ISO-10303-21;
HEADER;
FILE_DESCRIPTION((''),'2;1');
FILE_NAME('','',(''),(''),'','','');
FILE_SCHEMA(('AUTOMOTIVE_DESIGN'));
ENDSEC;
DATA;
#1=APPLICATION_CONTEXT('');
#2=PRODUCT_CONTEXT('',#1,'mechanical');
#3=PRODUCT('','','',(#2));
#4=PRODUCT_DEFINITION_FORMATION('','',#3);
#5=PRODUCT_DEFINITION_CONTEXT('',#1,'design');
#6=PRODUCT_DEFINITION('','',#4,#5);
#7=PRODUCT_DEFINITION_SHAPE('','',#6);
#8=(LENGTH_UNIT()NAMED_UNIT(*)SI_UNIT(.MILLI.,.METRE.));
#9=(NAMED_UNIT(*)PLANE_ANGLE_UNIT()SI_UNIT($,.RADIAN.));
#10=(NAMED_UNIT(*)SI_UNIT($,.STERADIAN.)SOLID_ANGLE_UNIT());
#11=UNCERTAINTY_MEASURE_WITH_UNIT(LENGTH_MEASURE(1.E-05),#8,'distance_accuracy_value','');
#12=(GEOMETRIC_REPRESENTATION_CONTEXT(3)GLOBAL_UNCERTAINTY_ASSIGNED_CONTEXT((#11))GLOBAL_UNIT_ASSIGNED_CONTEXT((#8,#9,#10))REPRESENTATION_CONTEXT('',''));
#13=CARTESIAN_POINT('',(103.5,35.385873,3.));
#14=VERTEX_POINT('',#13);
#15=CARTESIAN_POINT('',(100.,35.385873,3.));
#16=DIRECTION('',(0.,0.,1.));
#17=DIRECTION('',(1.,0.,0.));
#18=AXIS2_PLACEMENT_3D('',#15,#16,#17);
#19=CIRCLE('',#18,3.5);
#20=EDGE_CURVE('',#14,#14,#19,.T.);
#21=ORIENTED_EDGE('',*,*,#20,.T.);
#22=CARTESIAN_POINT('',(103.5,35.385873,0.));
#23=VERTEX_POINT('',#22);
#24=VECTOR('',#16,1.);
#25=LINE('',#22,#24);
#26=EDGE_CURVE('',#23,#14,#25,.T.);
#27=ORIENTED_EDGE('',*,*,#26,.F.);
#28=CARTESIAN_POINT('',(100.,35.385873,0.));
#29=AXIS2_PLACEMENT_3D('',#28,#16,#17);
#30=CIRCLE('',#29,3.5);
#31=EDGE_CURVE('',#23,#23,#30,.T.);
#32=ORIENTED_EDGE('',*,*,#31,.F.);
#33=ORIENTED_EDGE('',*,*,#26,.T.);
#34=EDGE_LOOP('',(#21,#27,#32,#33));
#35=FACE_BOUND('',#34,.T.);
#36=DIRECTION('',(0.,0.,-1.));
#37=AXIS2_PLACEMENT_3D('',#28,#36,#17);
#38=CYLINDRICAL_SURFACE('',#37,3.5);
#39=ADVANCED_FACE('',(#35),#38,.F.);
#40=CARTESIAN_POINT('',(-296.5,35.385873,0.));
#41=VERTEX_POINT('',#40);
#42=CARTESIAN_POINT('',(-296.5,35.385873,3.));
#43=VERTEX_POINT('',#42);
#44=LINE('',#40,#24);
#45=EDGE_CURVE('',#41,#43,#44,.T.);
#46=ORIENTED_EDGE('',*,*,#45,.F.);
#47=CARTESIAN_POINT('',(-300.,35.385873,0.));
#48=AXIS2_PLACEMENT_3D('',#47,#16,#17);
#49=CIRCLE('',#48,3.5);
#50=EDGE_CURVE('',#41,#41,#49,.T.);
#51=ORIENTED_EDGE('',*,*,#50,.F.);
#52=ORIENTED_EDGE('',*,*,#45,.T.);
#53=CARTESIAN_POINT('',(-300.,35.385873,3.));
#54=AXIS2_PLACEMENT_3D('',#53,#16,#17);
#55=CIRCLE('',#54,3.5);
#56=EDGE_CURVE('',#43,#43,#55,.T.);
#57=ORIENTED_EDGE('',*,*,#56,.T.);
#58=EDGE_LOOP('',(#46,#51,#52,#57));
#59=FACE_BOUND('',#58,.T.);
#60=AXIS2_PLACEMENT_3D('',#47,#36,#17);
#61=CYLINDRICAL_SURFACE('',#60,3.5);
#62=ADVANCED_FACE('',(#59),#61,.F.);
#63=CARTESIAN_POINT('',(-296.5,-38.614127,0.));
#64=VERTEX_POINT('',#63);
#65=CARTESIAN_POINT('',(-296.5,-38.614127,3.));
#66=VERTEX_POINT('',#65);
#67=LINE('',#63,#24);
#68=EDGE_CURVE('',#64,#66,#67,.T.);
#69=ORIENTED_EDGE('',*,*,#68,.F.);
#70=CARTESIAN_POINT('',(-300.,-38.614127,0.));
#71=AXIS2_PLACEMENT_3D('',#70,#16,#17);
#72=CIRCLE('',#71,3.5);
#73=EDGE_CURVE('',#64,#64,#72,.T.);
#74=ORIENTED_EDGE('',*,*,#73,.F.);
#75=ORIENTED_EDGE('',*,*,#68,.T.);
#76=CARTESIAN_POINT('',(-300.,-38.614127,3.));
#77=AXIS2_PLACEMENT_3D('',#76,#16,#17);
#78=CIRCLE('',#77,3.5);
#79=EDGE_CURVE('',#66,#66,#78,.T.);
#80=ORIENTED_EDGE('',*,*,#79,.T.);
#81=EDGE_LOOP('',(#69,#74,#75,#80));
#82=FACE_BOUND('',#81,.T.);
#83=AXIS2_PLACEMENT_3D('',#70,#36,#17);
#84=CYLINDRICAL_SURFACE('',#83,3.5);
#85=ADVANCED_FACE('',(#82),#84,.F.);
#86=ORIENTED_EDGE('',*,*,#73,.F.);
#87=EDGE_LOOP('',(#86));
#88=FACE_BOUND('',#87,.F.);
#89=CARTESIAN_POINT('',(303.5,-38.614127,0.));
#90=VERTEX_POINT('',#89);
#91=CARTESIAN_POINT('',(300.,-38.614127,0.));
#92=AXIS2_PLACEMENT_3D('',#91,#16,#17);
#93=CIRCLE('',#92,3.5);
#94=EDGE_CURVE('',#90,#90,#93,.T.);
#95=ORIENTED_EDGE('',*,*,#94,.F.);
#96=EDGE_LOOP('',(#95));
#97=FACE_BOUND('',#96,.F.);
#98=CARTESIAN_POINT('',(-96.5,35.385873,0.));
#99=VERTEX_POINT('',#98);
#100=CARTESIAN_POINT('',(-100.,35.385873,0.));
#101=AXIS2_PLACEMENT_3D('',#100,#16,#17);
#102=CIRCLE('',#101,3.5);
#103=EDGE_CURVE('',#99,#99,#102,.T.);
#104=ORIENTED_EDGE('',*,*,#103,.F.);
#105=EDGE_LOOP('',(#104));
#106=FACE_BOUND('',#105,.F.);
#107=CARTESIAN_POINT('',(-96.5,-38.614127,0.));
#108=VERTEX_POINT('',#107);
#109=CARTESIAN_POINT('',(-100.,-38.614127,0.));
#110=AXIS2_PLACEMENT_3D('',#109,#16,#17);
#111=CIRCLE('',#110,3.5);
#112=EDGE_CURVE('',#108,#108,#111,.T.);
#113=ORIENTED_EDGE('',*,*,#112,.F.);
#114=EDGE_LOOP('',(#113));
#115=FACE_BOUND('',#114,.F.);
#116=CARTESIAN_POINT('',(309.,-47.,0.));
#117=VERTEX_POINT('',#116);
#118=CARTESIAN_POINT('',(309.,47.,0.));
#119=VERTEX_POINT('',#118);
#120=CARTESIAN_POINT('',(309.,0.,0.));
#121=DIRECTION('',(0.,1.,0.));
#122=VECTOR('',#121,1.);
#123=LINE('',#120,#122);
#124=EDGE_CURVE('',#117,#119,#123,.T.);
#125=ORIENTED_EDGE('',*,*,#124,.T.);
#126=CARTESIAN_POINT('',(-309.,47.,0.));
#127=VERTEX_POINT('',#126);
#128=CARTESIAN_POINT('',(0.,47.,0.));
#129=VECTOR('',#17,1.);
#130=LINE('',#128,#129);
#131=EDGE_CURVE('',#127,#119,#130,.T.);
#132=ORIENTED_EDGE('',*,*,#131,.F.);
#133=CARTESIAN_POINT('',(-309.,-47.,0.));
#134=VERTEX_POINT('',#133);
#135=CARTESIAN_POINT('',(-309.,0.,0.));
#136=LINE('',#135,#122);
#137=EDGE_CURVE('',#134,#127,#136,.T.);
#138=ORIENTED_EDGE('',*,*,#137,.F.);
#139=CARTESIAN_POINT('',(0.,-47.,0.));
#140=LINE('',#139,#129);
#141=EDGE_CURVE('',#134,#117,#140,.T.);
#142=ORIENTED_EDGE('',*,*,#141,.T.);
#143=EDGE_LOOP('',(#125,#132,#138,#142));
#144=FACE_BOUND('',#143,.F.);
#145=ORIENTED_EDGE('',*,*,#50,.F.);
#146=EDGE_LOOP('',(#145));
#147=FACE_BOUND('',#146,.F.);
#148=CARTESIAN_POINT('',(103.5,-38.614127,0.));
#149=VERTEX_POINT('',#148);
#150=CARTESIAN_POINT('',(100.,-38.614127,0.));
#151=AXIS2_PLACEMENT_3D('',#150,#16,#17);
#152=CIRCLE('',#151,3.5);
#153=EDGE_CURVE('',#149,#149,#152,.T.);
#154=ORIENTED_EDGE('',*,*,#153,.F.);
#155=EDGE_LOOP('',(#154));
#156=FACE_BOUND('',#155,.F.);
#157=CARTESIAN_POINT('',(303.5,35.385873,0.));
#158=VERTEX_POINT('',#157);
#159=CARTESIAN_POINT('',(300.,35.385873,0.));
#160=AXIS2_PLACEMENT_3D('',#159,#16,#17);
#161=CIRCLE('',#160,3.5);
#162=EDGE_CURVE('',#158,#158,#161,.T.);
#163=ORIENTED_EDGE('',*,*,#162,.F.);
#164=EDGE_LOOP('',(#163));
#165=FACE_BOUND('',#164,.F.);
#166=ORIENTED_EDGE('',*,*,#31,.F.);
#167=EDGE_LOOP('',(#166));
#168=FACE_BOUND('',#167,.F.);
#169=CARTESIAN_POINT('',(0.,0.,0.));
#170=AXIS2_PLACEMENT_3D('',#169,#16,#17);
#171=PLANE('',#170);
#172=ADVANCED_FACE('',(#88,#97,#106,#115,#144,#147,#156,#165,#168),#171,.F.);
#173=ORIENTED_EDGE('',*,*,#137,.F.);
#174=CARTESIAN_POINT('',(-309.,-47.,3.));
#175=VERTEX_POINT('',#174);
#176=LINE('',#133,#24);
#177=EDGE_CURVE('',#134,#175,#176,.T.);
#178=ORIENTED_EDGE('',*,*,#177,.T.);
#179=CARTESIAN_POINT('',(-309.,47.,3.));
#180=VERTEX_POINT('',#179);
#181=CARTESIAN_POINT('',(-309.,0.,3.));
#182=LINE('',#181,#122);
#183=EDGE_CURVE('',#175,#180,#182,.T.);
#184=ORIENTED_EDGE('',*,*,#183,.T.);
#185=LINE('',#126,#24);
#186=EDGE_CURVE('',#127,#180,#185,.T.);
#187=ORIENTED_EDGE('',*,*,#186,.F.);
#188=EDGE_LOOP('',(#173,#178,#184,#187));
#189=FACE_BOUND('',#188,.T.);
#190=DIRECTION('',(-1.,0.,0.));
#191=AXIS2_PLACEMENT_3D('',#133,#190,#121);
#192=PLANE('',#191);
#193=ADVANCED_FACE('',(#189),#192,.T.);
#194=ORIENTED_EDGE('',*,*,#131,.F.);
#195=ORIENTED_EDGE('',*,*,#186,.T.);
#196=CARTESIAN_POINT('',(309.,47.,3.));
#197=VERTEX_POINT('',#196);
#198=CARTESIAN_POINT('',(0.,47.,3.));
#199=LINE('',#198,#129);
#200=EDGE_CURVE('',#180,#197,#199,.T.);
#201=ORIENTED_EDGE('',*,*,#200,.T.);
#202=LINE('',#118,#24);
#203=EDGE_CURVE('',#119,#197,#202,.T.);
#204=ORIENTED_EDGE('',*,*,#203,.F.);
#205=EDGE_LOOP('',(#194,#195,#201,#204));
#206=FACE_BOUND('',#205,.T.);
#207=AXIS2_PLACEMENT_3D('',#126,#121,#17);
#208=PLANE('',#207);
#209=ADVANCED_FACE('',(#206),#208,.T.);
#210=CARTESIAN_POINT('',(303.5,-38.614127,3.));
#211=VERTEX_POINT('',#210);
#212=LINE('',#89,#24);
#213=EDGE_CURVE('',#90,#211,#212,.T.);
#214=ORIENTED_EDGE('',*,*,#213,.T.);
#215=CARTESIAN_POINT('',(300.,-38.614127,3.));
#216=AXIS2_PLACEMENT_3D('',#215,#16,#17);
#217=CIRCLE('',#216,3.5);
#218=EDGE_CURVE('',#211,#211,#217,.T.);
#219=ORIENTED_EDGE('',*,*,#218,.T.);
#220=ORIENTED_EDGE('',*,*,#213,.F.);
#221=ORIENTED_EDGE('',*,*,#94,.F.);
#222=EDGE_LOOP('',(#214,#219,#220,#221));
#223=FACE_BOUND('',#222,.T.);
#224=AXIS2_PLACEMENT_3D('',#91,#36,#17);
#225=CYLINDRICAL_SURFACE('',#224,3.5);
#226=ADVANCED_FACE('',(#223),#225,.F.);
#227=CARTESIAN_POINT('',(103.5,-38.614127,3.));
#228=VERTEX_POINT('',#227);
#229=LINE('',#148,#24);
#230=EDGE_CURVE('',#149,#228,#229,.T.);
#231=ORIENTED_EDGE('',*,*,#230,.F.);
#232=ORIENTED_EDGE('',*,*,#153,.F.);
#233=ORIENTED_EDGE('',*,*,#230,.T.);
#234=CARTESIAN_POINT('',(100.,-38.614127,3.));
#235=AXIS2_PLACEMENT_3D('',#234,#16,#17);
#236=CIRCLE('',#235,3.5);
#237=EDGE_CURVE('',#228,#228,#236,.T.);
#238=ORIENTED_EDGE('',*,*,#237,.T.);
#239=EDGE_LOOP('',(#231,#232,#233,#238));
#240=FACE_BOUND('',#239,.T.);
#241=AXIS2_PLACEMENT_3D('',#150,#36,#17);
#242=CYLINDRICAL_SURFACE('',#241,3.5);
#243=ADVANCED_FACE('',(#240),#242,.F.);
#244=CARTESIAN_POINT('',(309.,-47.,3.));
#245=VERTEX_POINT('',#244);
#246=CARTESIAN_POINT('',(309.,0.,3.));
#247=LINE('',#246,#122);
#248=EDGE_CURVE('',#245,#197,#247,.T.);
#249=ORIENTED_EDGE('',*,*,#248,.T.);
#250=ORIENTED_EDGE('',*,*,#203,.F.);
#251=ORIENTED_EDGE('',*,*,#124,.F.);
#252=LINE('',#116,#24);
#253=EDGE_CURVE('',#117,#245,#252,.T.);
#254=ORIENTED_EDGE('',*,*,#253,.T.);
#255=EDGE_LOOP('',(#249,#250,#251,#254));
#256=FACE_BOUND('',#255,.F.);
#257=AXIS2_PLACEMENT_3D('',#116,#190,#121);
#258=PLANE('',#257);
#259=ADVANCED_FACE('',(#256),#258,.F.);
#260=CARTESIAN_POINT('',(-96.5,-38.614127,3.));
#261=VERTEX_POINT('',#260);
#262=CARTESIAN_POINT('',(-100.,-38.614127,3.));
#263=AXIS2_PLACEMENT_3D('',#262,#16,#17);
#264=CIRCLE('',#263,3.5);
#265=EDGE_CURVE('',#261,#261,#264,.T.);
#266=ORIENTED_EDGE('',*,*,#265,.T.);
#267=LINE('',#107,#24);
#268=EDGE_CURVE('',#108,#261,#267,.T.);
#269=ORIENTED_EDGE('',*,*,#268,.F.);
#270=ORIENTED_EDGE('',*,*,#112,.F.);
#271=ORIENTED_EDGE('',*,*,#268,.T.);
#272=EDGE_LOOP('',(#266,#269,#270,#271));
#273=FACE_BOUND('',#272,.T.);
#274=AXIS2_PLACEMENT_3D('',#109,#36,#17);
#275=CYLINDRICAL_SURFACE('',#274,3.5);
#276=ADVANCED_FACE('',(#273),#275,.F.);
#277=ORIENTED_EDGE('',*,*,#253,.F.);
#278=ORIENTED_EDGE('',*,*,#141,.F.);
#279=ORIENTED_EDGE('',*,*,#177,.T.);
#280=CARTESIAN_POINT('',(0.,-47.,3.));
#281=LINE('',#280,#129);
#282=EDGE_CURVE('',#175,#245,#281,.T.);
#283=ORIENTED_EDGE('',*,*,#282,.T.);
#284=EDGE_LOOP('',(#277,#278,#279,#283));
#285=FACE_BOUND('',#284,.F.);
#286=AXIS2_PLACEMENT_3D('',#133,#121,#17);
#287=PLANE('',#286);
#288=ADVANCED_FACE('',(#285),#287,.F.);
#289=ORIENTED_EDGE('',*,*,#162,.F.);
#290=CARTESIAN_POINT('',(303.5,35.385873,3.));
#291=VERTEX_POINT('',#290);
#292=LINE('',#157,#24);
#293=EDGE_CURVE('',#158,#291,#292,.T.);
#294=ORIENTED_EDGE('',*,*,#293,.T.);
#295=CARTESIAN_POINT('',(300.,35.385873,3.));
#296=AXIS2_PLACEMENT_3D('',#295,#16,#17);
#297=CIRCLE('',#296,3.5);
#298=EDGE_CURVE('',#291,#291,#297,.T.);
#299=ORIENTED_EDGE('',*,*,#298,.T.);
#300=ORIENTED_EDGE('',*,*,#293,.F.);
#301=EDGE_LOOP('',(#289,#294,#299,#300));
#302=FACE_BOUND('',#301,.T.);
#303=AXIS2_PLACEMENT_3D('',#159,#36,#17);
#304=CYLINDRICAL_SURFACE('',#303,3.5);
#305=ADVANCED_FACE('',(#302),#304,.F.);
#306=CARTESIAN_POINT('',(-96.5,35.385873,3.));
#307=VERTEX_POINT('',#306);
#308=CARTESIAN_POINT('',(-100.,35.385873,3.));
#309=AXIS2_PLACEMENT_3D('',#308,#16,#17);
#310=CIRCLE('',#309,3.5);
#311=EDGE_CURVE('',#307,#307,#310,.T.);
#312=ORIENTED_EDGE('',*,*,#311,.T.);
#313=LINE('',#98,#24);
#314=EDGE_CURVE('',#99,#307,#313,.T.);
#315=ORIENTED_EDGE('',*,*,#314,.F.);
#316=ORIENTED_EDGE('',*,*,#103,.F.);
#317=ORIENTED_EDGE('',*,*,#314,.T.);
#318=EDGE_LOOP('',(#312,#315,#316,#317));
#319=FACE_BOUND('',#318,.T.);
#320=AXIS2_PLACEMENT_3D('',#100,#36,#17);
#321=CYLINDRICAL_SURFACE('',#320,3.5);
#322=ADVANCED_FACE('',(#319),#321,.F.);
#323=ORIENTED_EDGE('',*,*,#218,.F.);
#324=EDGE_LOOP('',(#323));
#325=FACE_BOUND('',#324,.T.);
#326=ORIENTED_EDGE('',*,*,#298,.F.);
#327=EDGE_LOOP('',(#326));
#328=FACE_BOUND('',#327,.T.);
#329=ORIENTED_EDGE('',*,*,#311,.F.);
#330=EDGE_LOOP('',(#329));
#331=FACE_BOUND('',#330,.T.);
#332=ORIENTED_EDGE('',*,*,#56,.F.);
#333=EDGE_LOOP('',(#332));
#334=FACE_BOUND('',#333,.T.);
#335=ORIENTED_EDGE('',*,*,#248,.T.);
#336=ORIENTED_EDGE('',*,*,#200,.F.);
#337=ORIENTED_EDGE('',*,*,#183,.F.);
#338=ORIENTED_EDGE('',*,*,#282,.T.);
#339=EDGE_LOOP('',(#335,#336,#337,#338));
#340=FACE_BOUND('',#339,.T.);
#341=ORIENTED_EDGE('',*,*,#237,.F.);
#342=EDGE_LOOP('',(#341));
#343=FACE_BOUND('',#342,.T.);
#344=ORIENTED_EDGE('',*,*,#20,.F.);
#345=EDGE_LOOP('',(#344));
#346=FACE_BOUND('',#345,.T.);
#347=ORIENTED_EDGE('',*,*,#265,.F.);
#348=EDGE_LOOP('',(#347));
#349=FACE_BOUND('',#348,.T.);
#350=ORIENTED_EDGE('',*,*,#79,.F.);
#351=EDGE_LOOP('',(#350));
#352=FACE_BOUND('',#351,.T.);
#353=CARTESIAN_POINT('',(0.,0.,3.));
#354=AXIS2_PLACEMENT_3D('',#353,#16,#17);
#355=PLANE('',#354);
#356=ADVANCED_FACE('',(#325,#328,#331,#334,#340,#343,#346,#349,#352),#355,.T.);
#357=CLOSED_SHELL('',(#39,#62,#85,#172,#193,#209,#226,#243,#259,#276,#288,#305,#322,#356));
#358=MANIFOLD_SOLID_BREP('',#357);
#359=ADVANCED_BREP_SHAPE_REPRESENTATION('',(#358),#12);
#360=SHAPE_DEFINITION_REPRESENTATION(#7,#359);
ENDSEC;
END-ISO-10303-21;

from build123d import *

# Parameters (mm, degrees)
F0_W     = 618
F0_H     = 94
F0_R     = 3.5
F1_DEPTH = 3


with BuildPart() as f1:
    # F0 (on Top) → F1 (new body)
    with BuildSketch(Plane.XY):
        Rectangle(F0_W, F0_H)
        with Locations((-300, -38.614127)):
            Circle(F0_R, mode=Mode.SUBTRACT)
        with Locations((-100, -38.614127)):
            Circle(F0_R, mode=Mode.SUBTRACT)
        with Locations((100, -38.614127)):
            Circle(F0_R, mode=Mode.SUBTRACT)
        with Locations((300, -38.614127)):
            Circle(F0_R, mode=Mode.SUBTRACT)
        with Locations((-300, 35.385873)):
            Circle(F0_R, mode=Mode.SUBTRACT)
        with Locations((-100, 35.385873)):
            Circle(F0_R, mode=Mode.SUBTRACT)
        with Locations((100, 35.385873)):
            Circle(F0_R, mode=Mode.SUBTRACT)
        with Locations((300, 35.385873)):
            Circle(F0_R, mode=Mode.SUBTRACT)
    extrude(amount=F1_DEPTH)


solid = f1.part
